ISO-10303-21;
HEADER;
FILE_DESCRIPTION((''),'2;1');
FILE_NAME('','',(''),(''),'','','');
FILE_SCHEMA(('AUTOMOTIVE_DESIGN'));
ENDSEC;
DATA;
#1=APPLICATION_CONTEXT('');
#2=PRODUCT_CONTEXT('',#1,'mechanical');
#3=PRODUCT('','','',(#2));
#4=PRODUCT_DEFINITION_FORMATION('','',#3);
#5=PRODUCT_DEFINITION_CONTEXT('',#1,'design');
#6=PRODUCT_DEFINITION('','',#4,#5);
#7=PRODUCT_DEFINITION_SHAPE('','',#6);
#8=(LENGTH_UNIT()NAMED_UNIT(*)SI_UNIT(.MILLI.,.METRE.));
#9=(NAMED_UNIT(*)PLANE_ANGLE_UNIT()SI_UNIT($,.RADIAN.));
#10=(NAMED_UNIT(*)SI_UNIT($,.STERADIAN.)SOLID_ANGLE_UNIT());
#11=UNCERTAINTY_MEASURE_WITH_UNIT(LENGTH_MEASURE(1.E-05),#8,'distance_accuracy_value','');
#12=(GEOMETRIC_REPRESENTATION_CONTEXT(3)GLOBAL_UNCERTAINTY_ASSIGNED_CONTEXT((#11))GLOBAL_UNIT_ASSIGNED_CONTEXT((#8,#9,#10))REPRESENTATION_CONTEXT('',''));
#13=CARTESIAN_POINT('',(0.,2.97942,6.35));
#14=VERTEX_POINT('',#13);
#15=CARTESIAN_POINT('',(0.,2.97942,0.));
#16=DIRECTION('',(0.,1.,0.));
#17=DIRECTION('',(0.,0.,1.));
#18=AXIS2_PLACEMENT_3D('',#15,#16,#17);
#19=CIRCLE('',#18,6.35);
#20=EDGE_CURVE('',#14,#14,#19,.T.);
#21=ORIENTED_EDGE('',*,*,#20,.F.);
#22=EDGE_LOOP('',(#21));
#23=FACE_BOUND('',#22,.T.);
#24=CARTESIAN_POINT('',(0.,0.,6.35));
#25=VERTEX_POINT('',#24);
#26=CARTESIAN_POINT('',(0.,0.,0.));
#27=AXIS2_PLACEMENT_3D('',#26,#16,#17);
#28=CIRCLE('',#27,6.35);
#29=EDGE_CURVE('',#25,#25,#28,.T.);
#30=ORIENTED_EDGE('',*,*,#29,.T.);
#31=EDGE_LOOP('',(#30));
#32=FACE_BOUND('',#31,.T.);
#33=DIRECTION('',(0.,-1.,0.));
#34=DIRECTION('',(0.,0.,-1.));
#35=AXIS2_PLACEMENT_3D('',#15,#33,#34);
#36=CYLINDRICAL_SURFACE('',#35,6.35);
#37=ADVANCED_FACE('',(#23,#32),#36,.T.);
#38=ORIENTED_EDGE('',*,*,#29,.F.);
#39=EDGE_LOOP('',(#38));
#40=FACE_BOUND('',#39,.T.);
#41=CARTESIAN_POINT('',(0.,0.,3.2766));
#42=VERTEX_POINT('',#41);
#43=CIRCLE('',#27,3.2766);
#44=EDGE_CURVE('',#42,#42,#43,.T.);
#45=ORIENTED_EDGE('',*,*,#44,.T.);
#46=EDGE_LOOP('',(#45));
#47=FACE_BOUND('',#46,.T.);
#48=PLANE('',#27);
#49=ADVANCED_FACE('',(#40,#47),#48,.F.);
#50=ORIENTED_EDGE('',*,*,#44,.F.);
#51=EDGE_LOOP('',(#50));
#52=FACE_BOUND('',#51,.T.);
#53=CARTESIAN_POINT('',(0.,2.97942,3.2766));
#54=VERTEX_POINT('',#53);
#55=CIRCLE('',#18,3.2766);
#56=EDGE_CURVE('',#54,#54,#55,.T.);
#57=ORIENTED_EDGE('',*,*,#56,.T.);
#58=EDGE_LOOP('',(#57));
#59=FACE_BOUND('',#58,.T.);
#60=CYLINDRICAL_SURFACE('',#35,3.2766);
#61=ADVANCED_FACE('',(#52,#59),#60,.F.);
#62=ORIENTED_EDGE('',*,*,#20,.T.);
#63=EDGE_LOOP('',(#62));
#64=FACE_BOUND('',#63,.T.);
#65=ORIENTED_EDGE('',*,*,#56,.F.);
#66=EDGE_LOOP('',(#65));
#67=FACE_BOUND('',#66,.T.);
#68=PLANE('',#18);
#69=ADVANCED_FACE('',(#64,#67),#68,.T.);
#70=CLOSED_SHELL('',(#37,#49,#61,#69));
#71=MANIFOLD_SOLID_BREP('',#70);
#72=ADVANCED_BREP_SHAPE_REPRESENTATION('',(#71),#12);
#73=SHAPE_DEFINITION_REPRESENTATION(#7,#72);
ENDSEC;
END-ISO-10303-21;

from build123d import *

# Parameters (mm, degrees)
SKETCH1_R           = 6.35
SKETCH1_R_2         = 3.2766
BOSS_EXTRUDE1_DEPTH = 2.97942


with BuildPart() as part:
    # Sketch1 → Boss-Extrude1 (new body)
    with BuildSketch(Plane(origin=(0, 0, 0), x_dir=(1, 0, 0), z_dir=(0, 1, 0))):
        with Locations(Location((0, 0, 0), (0, 0, 270))):
            Circle(SKETCH1_R)
        with Locations(Location((0, 0, 0), (0, 0, 270))):
            Circle(SKETCH1_R_2, mode=Mode.SUBTRACT)
    extrude(amount=BOSS_EXTRUDE1_DEPTH)


solid = part.part
